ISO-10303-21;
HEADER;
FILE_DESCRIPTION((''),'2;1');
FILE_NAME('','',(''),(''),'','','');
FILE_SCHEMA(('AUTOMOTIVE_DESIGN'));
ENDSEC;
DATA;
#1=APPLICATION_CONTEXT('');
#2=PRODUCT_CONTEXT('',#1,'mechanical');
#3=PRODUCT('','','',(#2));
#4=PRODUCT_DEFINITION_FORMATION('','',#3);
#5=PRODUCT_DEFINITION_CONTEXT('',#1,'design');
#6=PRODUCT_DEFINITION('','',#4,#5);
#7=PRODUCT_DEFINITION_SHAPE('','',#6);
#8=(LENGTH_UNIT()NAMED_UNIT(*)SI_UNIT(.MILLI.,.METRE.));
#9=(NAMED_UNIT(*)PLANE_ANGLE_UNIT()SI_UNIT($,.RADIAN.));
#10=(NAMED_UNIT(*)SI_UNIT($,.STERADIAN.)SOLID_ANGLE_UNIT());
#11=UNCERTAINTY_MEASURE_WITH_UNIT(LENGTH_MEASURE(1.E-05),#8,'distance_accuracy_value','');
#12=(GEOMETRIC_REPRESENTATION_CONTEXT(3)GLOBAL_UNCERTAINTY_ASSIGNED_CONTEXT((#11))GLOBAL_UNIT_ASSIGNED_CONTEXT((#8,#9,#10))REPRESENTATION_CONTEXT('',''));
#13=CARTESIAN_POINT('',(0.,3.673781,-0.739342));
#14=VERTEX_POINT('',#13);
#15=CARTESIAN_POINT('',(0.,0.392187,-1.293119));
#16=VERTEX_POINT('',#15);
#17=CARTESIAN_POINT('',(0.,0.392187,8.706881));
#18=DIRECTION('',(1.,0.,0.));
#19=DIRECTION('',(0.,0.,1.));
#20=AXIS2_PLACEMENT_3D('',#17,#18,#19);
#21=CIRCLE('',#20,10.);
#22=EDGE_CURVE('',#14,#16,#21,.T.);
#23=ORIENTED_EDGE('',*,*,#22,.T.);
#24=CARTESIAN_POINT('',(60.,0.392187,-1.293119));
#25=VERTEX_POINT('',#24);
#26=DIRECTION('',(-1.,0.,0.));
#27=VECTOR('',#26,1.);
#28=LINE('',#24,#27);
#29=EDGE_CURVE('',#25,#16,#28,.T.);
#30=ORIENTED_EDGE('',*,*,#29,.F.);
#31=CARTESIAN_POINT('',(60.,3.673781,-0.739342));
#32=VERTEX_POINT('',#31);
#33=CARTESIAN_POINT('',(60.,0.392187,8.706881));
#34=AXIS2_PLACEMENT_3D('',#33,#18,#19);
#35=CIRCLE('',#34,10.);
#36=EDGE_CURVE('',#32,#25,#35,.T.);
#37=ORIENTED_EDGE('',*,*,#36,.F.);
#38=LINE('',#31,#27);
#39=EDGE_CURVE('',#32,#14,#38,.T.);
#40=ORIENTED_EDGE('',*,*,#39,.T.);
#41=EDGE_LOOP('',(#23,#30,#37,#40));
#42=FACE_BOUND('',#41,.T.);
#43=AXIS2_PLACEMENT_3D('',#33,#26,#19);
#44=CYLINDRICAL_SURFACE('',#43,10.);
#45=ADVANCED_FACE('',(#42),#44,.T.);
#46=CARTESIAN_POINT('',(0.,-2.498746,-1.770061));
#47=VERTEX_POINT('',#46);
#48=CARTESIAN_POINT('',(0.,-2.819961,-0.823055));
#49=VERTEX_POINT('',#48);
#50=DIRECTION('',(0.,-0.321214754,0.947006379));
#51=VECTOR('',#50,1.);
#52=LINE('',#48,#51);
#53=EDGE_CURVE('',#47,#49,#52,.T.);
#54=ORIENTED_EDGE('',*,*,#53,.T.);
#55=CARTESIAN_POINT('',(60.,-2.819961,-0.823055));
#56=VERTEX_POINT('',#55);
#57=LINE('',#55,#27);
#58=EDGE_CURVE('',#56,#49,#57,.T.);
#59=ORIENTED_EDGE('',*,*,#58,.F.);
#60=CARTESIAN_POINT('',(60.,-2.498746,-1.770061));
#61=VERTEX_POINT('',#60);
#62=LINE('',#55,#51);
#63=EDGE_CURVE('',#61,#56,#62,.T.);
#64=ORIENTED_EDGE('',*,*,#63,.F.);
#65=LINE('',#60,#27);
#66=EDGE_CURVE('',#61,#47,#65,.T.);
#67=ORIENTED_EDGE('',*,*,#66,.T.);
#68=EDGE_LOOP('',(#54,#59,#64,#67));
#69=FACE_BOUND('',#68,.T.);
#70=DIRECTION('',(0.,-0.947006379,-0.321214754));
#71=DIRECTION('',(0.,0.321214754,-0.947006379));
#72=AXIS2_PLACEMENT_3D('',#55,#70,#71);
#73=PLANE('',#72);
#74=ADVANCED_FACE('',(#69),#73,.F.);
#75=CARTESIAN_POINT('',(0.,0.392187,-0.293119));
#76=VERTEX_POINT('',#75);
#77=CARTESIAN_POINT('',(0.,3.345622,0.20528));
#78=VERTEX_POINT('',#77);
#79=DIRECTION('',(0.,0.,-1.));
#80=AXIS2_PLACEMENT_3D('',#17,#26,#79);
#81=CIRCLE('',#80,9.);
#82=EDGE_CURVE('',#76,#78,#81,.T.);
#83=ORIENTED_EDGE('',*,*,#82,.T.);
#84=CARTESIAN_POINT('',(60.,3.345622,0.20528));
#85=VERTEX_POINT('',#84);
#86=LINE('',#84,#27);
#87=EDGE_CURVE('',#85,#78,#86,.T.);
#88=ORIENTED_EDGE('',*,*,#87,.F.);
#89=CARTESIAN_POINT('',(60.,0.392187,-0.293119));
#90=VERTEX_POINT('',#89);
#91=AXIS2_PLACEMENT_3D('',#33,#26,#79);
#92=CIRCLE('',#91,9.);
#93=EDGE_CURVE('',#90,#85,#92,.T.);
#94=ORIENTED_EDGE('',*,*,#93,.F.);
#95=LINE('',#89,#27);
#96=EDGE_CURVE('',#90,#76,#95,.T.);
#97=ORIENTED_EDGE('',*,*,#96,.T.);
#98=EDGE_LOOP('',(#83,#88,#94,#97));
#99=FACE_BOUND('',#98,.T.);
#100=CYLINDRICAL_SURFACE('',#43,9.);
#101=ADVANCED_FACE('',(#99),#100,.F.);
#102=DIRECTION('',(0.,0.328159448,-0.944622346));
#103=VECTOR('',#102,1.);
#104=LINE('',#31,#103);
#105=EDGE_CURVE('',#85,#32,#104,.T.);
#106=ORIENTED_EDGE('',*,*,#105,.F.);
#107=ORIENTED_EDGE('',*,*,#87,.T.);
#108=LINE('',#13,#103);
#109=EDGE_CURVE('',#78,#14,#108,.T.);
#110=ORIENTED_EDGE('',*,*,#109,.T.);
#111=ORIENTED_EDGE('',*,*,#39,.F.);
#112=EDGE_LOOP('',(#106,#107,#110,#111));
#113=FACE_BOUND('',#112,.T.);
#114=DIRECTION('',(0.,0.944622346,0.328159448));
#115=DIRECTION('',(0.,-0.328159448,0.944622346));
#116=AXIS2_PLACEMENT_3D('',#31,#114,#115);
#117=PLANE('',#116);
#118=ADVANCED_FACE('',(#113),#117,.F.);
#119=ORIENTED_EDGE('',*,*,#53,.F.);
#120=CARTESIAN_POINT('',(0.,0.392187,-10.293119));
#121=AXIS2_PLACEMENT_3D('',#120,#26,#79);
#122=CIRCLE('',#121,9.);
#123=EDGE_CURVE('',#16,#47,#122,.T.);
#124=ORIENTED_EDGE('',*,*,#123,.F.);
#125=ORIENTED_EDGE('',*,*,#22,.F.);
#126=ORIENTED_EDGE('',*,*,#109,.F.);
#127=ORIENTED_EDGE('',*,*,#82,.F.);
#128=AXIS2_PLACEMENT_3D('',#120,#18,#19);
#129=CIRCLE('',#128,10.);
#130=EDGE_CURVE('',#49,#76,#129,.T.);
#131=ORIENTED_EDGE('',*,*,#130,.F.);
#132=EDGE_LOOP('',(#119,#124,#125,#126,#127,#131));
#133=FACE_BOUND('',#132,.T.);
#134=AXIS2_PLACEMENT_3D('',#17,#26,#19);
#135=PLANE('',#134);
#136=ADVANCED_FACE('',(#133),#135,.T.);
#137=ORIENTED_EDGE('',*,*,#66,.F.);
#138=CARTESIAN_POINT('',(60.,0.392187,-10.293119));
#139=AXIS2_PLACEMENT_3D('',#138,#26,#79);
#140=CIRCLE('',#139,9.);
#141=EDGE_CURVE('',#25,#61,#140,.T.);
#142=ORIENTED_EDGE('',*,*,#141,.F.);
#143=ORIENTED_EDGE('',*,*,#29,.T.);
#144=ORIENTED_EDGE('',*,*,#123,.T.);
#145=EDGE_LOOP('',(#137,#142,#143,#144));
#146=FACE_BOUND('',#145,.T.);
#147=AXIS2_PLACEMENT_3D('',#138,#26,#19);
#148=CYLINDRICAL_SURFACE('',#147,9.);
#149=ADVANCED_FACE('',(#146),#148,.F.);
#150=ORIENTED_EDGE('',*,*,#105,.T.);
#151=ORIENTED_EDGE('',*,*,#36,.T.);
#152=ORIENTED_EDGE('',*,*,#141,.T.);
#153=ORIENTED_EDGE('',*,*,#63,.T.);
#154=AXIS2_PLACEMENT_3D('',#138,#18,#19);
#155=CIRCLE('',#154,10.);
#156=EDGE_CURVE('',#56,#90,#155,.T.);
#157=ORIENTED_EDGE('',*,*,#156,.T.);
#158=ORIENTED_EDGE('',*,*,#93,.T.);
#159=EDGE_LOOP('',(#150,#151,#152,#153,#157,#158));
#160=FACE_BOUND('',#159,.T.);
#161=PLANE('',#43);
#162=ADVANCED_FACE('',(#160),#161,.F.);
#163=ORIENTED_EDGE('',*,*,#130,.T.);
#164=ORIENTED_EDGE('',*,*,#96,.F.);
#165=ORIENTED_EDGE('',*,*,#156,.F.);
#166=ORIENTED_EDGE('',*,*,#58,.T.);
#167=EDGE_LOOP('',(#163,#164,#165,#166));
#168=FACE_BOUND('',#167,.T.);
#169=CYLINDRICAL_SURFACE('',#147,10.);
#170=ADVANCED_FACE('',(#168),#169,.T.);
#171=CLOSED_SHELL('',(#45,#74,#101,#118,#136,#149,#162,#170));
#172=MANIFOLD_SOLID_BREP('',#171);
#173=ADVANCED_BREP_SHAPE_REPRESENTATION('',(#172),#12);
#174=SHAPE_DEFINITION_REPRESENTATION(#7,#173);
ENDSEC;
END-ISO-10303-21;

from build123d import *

# Parameters (mm, degrees)
BOSS_EXTRUDE2_DEPTH = 60


with BuildPart() as part:
    # Sketch2 → Boss-Extrude2 (new body)
    with BuildSketch(Plane(origin=(0, 0, 0), x_dir=(0, 0, -1), z_dir=(1, 0, 0))):
        with BuildLine():
            Line((0.739342205, 3.67378114), (-0.205280141, 3.345621692))
            ThreePointArc((-0.205280141, 3.345621692), (-17.581406877, -1.105409742), (0.293118745, 0.39218666))
            ThreePointArc((0.293118745, 0.39218666), (20.159745268, 2.019970755), (0.823054957, -2.819960885))
            Line((0.823054957, -2.819960885), (1.770061335, -2.49874613))
            ThreePointArc((1.770061335, -2.49874613), (19.173082615, 1.857192345), (1.293118745, 0.39218666))
            ThreePointArc((1.293118745, 0.39218666), (-18.56746528, -1.271809343), (0.739342205, 3.67378114))
        make_face()
    extrude(amount=BOSS_EXTRUDE2_DEPTH)


solid = part.part
